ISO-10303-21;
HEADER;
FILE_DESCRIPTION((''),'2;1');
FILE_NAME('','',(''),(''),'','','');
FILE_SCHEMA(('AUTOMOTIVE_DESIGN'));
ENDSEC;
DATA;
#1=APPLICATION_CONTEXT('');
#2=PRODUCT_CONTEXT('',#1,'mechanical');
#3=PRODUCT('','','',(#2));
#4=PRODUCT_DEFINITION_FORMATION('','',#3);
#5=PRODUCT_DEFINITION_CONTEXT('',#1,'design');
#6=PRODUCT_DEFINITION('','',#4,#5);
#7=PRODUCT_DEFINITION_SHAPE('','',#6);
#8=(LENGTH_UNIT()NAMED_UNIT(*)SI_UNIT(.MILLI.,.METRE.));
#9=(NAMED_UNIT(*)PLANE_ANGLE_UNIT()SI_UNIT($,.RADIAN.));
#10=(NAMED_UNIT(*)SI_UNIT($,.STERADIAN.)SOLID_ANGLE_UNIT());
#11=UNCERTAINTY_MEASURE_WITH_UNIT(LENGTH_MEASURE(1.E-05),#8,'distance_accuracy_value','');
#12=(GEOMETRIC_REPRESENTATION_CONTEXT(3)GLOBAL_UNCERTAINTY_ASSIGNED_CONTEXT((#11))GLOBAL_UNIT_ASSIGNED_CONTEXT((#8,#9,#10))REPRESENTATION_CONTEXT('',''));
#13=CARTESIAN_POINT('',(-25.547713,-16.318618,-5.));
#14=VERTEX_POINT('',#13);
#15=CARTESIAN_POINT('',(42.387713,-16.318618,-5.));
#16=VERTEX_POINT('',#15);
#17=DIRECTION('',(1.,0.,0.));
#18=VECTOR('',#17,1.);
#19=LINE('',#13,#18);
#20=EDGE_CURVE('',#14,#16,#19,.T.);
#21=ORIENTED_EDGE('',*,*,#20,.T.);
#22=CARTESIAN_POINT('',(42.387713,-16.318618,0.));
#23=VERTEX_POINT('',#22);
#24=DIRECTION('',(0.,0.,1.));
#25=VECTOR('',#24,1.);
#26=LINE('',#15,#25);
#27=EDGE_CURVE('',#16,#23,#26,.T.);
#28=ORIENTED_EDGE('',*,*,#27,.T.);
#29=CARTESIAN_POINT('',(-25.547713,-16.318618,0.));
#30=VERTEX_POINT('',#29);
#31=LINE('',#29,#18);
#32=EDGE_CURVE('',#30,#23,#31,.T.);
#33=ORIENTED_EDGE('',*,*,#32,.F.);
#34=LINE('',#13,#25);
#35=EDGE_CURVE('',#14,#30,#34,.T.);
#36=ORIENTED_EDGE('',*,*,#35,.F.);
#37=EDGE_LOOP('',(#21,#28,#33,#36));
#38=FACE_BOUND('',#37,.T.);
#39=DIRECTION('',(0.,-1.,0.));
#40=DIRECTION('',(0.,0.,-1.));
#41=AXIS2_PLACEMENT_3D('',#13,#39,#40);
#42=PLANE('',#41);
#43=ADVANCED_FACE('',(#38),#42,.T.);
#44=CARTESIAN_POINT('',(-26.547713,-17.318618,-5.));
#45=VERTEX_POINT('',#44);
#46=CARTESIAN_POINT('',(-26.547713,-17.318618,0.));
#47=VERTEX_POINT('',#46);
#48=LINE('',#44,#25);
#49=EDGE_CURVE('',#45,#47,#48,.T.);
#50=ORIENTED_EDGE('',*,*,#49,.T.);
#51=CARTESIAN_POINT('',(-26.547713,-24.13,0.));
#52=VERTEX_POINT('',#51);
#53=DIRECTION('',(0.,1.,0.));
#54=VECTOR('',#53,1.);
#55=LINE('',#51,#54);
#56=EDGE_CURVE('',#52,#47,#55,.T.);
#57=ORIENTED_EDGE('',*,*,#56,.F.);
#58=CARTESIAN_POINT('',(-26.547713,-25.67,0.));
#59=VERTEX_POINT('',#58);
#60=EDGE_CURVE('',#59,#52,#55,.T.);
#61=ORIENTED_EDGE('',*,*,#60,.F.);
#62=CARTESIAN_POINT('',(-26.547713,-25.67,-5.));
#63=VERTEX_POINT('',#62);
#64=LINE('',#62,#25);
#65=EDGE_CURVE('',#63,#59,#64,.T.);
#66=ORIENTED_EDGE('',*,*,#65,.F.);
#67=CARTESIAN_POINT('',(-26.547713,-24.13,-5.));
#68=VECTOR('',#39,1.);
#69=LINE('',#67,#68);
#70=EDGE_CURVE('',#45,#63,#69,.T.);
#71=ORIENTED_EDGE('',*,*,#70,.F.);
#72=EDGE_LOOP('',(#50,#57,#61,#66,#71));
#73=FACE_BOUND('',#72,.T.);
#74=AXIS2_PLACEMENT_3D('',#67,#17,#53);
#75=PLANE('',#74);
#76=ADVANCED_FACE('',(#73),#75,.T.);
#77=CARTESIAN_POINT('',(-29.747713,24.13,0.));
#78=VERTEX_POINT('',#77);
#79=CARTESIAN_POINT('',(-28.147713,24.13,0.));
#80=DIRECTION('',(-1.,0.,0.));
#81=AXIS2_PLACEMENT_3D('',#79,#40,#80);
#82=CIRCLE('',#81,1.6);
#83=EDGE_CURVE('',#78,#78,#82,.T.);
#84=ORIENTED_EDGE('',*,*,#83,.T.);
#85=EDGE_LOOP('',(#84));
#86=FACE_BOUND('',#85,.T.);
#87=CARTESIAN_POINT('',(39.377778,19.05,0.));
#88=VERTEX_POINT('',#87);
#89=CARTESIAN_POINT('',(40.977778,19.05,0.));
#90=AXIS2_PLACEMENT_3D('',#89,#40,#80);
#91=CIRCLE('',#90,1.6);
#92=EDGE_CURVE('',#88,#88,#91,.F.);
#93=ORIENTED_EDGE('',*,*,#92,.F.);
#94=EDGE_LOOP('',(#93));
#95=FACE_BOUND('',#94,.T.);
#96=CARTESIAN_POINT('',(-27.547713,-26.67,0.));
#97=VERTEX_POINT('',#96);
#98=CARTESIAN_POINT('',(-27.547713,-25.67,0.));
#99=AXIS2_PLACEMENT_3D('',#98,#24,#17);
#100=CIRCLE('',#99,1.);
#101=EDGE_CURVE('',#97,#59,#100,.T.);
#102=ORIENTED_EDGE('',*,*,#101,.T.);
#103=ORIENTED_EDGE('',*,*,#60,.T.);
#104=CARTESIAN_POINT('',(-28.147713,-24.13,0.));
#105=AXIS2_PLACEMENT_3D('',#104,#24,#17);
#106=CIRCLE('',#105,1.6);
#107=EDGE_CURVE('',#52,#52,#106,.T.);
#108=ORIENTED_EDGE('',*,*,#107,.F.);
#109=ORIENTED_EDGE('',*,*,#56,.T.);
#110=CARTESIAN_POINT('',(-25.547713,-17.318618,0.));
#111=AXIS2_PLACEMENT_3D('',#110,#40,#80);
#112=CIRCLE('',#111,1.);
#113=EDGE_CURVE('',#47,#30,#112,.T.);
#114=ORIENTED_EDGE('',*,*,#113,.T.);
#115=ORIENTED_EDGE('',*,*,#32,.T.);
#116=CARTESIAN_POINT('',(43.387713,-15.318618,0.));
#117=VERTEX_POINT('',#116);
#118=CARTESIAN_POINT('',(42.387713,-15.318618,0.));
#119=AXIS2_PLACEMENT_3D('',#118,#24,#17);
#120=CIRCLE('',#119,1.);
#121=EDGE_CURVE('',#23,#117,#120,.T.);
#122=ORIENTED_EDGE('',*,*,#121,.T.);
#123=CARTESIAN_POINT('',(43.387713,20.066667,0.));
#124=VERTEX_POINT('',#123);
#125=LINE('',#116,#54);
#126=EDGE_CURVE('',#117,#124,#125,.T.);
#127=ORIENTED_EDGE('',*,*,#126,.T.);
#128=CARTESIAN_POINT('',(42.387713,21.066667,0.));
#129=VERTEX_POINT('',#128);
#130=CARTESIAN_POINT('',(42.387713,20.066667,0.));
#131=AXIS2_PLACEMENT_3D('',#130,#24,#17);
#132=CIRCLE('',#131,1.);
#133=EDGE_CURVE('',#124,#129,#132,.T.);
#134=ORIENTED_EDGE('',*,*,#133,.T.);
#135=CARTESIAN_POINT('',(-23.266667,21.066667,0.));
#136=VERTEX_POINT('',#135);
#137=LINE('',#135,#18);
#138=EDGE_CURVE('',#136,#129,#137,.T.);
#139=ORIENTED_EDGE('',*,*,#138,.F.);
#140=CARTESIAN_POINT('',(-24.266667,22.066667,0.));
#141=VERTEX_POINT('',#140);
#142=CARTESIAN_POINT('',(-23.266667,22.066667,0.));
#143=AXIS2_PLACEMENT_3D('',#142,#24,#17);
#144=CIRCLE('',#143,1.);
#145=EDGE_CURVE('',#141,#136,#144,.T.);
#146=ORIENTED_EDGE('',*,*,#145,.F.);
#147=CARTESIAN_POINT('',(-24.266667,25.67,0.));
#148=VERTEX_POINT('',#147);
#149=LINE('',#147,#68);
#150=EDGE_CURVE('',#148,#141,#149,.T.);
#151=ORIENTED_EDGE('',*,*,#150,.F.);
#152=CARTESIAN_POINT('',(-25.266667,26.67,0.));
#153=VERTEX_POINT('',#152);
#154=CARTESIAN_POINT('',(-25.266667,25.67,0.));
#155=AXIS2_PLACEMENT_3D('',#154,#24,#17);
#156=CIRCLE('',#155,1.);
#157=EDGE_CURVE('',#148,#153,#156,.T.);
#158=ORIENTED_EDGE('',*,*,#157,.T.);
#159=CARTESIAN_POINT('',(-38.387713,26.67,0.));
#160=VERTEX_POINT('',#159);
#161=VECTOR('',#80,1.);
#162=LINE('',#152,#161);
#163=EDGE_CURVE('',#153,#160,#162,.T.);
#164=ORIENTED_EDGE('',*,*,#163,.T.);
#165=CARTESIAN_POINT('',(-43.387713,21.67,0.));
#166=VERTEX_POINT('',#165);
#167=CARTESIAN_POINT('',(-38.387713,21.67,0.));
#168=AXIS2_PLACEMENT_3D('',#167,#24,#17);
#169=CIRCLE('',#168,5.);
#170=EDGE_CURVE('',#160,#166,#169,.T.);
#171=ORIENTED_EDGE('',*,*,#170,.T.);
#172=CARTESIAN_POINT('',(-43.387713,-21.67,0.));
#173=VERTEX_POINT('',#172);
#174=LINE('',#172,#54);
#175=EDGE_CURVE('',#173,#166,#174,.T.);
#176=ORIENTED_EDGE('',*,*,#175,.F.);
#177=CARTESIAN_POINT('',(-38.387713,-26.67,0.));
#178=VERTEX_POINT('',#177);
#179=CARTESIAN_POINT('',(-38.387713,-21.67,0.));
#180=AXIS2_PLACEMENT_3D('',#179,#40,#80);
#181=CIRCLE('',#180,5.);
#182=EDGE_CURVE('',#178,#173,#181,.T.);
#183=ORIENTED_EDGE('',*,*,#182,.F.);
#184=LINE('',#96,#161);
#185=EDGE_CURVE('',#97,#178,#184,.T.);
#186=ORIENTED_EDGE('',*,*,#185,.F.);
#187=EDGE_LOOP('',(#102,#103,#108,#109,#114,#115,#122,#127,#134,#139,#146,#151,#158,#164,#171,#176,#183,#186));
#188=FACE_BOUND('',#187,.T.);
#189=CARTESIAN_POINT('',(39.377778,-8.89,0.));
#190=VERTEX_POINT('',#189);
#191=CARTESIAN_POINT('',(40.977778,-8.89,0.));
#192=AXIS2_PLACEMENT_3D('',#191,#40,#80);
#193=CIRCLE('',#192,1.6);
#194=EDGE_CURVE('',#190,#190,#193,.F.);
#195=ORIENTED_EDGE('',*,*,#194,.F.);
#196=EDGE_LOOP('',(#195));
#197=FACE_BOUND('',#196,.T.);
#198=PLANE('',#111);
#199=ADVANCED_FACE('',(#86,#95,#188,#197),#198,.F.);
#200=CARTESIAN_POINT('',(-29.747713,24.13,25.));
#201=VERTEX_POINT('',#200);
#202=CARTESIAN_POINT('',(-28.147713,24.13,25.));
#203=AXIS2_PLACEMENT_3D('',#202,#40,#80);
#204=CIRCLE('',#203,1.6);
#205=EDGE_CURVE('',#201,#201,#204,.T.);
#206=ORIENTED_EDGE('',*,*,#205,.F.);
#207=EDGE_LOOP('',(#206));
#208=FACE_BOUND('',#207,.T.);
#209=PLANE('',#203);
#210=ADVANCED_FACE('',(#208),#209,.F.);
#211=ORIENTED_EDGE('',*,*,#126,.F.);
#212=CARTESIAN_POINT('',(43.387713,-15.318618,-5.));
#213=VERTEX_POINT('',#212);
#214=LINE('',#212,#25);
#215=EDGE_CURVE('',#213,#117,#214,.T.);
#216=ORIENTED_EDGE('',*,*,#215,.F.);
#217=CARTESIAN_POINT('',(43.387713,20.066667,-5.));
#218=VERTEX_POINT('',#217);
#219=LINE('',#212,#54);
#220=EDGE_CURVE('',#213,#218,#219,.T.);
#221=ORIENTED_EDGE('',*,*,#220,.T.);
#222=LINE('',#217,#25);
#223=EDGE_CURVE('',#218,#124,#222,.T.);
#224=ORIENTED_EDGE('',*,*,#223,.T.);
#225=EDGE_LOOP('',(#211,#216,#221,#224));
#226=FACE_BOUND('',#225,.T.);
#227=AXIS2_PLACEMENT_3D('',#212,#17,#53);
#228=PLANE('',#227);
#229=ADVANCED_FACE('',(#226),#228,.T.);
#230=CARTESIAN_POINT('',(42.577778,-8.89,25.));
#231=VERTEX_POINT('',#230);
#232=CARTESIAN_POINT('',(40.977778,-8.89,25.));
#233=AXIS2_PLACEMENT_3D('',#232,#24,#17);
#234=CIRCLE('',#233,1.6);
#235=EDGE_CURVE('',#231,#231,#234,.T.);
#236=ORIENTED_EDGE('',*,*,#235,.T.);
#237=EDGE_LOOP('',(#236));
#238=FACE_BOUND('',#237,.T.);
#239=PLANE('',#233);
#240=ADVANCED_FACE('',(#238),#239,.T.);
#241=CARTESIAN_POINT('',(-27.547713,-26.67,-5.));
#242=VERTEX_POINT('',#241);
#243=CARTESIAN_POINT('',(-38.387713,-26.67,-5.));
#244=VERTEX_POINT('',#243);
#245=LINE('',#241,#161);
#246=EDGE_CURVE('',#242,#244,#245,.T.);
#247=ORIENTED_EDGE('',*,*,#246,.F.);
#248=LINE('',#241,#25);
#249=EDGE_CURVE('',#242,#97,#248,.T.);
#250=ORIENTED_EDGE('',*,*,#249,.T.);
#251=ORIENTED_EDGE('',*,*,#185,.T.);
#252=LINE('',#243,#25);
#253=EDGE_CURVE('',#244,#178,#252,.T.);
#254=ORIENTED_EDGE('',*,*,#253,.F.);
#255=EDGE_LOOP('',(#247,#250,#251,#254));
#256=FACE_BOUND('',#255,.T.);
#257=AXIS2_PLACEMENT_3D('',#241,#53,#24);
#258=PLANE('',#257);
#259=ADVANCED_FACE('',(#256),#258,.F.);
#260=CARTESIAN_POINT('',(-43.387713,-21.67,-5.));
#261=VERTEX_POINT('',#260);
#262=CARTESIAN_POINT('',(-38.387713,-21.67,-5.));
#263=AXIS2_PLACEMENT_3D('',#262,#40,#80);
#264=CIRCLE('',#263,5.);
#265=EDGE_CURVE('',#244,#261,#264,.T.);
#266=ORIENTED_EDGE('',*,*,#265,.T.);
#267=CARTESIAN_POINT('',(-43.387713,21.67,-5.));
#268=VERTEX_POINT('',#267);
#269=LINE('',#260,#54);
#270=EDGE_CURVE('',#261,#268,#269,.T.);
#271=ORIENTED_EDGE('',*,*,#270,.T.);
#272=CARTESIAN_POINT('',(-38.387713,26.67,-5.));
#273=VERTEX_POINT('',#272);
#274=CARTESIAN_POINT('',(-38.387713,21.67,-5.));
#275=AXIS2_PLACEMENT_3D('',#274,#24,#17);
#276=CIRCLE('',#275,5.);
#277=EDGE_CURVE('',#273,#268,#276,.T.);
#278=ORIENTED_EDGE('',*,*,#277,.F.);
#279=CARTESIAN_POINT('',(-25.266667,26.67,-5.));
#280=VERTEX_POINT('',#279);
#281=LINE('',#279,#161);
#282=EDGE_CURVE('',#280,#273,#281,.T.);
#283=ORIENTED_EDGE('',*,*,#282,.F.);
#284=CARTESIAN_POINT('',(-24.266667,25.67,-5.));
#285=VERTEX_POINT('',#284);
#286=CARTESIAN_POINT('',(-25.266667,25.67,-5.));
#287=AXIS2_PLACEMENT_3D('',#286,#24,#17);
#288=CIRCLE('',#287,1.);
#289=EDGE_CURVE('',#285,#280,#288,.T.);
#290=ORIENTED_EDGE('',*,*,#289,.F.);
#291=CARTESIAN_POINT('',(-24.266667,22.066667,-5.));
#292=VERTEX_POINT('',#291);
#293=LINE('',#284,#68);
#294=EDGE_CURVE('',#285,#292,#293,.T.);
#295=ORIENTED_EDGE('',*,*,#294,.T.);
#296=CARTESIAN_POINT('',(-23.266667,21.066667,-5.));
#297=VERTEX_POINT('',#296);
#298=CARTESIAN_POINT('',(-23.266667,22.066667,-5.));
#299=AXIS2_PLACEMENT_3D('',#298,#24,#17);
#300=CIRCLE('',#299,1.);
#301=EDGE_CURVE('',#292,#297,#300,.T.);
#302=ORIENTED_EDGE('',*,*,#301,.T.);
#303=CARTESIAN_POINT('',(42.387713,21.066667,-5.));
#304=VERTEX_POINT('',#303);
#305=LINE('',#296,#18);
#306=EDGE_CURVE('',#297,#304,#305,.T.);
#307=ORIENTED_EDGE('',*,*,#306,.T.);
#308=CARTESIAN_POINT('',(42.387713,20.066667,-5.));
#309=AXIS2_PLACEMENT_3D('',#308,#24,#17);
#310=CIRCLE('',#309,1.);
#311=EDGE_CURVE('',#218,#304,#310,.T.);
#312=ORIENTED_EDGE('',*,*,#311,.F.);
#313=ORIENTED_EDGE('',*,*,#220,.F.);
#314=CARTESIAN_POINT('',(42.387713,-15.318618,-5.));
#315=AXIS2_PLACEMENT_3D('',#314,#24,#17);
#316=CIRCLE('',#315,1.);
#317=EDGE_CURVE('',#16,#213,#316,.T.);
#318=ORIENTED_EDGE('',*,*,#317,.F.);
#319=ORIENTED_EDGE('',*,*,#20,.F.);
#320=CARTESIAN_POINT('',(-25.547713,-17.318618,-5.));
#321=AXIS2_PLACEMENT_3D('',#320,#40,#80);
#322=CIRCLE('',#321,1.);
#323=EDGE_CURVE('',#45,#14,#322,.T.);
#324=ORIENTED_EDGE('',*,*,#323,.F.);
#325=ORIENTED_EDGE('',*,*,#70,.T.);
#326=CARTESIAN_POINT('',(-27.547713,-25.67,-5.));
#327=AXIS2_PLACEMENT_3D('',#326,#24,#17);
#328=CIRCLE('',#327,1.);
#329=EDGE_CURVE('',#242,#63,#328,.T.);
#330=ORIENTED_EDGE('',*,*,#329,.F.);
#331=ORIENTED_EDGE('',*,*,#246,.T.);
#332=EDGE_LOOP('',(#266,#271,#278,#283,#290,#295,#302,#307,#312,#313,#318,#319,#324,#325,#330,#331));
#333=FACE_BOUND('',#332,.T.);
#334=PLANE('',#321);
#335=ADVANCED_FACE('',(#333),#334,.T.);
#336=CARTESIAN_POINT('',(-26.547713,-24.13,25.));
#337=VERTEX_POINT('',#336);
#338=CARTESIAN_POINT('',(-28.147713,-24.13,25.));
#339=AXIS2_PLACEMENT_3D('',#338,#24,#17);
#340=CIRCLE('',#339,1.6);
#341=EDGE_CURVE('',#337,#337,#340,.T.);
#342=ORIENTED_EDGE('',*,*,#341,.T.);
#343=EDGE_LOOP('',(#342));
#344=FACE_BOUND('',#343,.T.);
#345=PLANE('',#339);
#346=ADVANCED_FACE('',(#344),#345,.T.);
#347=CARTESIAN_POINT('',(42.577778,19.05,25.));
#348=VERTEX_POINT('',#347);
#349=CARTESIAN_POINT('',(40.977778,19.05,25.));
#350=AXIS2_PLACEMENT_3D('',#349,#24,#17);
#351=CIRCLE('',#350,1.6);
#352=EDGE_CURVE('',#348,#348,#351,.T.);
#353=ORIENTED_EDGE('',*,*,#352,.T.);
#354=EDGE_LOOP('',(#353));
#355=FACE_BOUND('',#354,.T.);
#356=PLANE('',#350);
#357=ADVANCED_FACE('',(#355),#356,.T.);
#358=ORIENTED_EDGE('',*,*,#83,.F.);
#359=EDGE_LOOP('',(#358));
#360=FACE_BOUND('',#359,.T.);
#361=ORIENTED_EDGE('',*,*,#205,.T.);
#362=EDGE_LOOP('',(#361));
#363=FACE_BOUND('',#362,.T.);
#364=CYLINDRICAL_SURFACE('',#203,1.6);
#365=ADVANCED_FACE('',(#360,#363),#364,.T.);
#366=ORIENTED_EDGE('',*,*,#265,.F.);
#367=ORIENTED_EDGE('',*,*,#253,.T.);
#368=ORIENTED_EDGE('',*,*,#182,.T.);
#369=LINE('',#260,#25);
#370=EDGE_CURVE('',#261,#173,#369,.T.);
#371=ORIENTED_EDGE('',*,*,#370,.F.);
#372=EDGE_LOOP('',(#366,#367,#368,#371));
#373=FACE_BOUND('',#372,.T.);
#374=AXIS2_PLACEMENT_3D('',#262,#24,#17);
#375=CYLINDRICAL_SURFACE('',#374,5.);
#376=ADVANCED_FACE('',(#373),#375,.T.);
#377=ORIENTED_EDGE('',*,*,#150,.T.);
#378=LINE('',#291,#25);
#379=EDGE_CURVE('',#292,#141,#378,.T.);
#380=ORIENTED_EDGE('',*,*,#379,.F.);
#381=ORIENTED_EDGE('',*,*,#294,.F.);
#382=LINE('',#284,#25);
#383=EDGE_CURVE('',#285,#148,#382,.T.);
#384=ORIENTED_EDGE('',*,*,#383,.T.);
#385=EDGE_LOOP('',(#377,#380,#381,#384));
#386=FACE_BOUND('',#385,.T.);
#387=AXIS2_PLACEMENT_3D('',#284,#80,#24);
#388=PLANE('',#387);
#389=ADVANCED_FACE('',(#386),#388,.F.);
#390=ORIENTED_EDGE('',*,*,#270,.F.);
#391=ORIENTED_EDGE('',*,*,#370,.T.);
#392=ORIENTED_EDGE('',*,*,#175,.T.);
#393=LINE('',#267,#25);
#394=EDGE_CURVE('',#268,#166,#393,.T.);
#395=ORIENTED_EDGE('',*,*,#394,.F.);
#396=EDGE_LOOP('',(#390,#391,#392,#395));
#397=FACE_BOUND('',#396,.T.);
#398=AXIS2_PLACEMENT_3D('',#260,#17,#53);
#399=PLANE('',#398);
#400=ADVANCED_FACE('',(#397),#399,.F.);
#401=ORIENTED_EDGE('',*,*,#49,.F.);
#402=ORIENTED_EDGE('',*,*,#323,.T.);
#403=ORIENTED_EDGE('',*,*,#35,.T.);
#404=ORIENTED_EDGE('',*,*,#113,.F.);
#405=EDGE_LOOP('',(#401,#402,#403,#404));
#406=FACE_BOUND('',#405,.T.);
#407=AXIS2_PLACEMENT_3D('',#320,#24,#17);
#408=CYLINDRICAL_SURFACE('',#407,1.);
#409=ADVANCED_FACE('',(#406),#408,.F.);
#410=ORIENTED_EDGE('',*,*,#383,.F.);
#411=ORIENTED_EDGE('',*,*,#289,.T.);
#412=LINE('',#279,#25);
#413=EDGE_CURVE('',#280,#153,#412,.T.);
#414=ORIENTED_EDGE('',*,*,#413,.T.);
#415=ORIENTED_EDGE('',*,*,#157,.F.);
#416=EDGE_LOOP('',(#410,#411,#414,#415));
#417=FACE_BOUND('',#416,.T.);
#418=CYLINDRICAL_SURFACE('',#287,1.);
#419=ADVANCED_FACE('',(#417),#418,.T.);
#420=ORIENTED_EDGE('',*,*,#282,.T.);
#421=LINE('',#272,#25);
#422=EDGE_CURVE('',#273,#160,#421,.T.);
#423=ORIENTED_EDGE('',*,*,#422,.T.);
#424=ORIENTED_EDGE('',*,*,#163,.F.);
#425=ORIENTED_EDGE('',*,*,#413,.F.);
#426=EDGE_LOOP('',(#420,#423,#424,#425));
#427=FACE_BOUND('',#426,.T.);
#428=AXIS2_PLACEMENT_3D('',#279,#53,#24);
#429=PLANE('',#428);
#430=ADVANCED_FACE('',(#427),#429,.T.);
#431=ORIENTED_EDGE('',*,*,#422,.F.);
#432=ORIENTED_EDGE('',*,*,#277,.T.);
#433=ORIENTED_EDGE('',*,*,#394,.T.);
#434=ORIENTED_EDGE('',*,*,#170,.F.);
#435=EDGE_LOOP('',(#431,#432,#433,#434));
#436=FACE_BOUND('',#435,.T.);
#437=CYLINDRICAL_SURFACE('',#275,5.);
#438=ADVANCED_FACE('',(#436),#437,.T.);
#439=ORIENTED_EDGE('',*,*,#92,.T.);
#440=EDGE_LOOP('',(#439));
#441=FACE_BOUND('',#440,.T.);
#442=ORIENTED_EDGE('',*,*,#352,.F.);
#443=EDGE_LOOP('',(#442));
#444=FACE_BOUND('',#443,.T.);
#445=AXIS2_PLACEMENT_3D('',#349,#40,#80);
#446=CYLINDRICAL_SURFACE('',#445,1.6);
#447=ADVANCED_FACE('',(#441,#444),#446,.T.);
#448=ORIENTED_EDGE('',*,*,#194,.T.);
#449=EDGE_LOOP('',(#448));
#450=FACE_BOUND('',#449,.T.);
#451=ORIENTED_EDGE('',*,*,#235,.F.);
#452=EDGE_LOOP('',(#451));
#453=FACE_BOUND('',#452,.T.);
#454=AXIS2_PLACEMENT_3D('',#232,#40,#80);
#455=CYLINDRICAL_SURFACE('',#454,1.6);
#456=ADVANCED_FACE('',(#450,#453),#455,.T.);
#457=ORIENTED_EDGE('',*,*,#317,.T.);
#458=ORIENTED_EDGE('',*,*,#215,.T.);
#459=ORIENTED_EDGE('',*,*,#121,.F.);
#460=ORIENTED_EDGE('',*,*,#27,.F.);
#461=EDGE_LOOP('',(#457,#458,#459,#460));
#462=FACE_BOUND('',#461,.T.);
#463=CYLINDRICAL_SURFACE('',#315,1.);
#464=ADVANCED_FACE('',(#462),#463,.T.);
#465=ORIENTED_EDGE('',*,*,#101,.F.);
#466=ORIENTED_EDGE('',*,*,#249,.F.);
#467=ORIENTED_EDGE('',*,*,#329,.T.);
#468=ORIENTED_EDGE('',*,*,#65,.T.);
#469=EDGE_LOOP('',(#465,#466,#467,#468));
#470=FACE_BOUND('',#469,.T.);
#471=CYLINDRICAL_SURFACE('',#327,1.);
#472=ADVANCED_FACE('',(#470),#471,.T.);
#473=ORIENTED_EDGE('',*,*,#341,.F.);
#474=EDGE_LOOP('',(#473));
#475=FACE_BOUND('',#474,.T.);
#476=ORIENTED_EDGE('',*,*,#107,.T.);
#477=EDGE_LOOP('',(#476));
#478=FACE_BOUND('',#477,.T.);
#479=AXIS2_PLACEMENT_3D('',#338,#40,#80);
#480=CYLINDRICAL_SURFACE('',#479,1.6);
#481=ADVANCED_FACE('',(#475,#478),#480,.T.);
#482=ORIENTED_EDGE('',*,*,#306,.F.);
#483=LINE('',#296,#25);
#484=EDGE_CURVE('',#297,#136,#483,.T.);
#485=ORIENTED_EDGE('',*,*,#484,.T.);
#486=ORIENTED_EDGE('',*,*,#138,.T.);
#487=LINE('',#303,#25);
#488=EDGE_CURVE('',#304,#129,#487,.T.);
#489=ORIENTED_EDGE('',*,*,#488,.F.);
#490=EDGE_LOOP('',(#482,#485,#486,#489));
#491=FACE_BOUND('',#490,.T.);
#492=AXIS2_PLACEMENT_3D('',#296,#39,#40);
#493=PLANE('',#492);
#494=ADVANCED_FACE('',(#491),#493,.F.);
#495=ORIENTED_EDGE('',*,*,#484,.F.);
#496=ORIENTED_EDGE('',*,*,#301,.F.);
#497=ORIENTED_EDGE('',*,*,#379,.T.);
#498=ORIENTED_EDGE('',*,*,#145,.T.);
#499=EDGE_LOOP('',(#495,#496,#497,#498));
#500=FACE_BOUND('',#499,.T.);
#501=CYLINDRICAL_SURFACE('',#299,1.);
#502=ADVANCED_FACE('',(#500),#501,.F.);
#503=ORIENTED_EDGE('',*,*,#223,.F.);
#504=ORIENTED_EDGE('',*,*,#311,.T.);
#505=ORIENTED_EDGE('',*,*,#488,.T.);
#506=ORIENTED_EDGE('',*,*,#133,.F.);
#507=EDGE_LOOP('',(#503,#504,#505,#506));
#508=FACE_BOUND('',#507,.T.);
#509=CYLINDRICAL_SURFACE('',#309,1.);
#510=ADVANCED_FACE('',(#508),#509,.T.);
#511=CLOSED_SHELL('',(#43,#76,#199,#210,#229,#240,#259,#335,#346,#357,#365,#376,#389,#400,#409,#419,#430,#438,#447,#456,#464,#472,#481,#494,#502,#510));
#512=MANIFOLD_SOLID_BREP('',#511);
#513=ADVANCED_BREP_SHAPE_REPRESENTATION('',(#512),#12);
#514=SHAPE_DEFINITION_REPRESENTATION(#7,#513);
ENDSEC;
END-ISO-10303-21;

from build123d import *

# Parameters (mm, degrees)
SKETCH1_R             = 1.6
BOSS_EXTRUDE2_DEPTH   = 25
BOSS_EXTRUDE2_2_DEPTH = 25
BOSS_EXTRUDE2_3_DEPTH = 25
BOSS_EXTRUDE2_4_DEPTH = 25
BOSS_EXTRUDE4_DEPTH   = 5


with BuildPart() as part:
    # Sketch1 → Boss-Extrude2 (new body)
    with BuildSketch(Plane.XY):
        with Locations((-28.14771299, -24.13)):
            Circle(SKETCH1_R)
    extrude(amount=BOSS_EXTRUDE2_DEPTH)



with BuildPart() as body_2:
    # Sketch1 → Boss-Extrude2 2 (new body)
    with BuildSketch(Plane.XY):
        with Locations((40.977777778, -8.89)):
            Circle(SKETCH1_R)
    extrude(amount=BOSS_EXTRUDE2_2_DEPTH)


with BuildPart() as body_3:
    # Sketch1 → Boss-Extrude2 3 (new body)
    with BuildSketch(Plane.XY):
        with Locations((40.977777778, 19.05)):
            Circle(SKETCH1_R)
    extrude(amount=BOSS_EXTRUDE2_3_DEPTH)


with BuildPart() as body_4:
    # Sketch1 → Boss-Extrude2 4 (new body)
    with BuildSketch(Plane.XY):
        with Locations((-28.14771299, 24.13)):
            Circle(SKETCH1_R)
    extrude(amount=BOSS_EXTRUDE2_4_DEPTH)


with BuildPart() as part_1:
    add(part.part)

    add(body_2.part)  # Boss-Extrude4 merges body 2

    add(body_3.part)  # Boss-Extrude4 merges body 3

    add(body_4.part)  # Boss-Extrude4 merges body 4
    # Sketch1<6> → Boss-Extrude4 (add)
    with BuildSketch(Plane.XY):
        with BuildLine():
            Line((-24.266666667, 25.67), (-24.266666667, 22.066666667))
            ThreePointArc((-24.266666667, 22.066666667), (-23.973773448, 21.359559885), (-23.266666667, 21.066666667))
            Line((-23.266666667, 21.066666667), (42.38771299, 21.066666667))
            ThreePointArc((42.38771299, 21.066666667), (43.094819771, 20.773773448), (43.38771299, 20.066666667))
            Line((43.38771299, 20.066666667), (43.38771299, -15.318617799))
            ThreePointArc((43.38771299, -15.318617799), (43.094819771, -16.02572458), (42.38771299, -16.318617799))
            Line((42.38771299, -16.318617799), (-25.54771299, -16.318617799))
            ThreePointArc((-25.54771299, -16.318617799), (-26.254819771, -16.611511017), (-26.54771299, -17.318617799))
            Line((-26.54771299, -17.318617799), (-26.54771299, -24.13))
            Line((-26.54771299, -24.13), (-26.54771299, -25.67))
            ThreePointArc((-26.54771299, -25.67), (-26.840606209, -26.377106781), (-27.54771299, -26.67))
            Line((-27.54771299, -26.67), (-38.38771299, -26.67))
            ThreePointArc((-38.38771299, -26.67), (-41.923246896, -25.205533906), (-43.38771299, -21.67))
            Line((-43.38771299, -21.67), (-43.38771299, 21.67))
            ThreePointArc((-43.38771299, 21.67), (-41.923246896, 25.205533906), (-38.38771299, 26.67))
            Line((-38.38771299, 26.67), (-25.266666667, 26.67))
            ThreePointArc((-25.266666667, 26.67), (-24.559559885, 26.377106781), (-24.266666667, 25.67))
        make_face()
    extrude(amount=-BOSS_EXTRUDE4_DEPTH)


solid = part_1.part
